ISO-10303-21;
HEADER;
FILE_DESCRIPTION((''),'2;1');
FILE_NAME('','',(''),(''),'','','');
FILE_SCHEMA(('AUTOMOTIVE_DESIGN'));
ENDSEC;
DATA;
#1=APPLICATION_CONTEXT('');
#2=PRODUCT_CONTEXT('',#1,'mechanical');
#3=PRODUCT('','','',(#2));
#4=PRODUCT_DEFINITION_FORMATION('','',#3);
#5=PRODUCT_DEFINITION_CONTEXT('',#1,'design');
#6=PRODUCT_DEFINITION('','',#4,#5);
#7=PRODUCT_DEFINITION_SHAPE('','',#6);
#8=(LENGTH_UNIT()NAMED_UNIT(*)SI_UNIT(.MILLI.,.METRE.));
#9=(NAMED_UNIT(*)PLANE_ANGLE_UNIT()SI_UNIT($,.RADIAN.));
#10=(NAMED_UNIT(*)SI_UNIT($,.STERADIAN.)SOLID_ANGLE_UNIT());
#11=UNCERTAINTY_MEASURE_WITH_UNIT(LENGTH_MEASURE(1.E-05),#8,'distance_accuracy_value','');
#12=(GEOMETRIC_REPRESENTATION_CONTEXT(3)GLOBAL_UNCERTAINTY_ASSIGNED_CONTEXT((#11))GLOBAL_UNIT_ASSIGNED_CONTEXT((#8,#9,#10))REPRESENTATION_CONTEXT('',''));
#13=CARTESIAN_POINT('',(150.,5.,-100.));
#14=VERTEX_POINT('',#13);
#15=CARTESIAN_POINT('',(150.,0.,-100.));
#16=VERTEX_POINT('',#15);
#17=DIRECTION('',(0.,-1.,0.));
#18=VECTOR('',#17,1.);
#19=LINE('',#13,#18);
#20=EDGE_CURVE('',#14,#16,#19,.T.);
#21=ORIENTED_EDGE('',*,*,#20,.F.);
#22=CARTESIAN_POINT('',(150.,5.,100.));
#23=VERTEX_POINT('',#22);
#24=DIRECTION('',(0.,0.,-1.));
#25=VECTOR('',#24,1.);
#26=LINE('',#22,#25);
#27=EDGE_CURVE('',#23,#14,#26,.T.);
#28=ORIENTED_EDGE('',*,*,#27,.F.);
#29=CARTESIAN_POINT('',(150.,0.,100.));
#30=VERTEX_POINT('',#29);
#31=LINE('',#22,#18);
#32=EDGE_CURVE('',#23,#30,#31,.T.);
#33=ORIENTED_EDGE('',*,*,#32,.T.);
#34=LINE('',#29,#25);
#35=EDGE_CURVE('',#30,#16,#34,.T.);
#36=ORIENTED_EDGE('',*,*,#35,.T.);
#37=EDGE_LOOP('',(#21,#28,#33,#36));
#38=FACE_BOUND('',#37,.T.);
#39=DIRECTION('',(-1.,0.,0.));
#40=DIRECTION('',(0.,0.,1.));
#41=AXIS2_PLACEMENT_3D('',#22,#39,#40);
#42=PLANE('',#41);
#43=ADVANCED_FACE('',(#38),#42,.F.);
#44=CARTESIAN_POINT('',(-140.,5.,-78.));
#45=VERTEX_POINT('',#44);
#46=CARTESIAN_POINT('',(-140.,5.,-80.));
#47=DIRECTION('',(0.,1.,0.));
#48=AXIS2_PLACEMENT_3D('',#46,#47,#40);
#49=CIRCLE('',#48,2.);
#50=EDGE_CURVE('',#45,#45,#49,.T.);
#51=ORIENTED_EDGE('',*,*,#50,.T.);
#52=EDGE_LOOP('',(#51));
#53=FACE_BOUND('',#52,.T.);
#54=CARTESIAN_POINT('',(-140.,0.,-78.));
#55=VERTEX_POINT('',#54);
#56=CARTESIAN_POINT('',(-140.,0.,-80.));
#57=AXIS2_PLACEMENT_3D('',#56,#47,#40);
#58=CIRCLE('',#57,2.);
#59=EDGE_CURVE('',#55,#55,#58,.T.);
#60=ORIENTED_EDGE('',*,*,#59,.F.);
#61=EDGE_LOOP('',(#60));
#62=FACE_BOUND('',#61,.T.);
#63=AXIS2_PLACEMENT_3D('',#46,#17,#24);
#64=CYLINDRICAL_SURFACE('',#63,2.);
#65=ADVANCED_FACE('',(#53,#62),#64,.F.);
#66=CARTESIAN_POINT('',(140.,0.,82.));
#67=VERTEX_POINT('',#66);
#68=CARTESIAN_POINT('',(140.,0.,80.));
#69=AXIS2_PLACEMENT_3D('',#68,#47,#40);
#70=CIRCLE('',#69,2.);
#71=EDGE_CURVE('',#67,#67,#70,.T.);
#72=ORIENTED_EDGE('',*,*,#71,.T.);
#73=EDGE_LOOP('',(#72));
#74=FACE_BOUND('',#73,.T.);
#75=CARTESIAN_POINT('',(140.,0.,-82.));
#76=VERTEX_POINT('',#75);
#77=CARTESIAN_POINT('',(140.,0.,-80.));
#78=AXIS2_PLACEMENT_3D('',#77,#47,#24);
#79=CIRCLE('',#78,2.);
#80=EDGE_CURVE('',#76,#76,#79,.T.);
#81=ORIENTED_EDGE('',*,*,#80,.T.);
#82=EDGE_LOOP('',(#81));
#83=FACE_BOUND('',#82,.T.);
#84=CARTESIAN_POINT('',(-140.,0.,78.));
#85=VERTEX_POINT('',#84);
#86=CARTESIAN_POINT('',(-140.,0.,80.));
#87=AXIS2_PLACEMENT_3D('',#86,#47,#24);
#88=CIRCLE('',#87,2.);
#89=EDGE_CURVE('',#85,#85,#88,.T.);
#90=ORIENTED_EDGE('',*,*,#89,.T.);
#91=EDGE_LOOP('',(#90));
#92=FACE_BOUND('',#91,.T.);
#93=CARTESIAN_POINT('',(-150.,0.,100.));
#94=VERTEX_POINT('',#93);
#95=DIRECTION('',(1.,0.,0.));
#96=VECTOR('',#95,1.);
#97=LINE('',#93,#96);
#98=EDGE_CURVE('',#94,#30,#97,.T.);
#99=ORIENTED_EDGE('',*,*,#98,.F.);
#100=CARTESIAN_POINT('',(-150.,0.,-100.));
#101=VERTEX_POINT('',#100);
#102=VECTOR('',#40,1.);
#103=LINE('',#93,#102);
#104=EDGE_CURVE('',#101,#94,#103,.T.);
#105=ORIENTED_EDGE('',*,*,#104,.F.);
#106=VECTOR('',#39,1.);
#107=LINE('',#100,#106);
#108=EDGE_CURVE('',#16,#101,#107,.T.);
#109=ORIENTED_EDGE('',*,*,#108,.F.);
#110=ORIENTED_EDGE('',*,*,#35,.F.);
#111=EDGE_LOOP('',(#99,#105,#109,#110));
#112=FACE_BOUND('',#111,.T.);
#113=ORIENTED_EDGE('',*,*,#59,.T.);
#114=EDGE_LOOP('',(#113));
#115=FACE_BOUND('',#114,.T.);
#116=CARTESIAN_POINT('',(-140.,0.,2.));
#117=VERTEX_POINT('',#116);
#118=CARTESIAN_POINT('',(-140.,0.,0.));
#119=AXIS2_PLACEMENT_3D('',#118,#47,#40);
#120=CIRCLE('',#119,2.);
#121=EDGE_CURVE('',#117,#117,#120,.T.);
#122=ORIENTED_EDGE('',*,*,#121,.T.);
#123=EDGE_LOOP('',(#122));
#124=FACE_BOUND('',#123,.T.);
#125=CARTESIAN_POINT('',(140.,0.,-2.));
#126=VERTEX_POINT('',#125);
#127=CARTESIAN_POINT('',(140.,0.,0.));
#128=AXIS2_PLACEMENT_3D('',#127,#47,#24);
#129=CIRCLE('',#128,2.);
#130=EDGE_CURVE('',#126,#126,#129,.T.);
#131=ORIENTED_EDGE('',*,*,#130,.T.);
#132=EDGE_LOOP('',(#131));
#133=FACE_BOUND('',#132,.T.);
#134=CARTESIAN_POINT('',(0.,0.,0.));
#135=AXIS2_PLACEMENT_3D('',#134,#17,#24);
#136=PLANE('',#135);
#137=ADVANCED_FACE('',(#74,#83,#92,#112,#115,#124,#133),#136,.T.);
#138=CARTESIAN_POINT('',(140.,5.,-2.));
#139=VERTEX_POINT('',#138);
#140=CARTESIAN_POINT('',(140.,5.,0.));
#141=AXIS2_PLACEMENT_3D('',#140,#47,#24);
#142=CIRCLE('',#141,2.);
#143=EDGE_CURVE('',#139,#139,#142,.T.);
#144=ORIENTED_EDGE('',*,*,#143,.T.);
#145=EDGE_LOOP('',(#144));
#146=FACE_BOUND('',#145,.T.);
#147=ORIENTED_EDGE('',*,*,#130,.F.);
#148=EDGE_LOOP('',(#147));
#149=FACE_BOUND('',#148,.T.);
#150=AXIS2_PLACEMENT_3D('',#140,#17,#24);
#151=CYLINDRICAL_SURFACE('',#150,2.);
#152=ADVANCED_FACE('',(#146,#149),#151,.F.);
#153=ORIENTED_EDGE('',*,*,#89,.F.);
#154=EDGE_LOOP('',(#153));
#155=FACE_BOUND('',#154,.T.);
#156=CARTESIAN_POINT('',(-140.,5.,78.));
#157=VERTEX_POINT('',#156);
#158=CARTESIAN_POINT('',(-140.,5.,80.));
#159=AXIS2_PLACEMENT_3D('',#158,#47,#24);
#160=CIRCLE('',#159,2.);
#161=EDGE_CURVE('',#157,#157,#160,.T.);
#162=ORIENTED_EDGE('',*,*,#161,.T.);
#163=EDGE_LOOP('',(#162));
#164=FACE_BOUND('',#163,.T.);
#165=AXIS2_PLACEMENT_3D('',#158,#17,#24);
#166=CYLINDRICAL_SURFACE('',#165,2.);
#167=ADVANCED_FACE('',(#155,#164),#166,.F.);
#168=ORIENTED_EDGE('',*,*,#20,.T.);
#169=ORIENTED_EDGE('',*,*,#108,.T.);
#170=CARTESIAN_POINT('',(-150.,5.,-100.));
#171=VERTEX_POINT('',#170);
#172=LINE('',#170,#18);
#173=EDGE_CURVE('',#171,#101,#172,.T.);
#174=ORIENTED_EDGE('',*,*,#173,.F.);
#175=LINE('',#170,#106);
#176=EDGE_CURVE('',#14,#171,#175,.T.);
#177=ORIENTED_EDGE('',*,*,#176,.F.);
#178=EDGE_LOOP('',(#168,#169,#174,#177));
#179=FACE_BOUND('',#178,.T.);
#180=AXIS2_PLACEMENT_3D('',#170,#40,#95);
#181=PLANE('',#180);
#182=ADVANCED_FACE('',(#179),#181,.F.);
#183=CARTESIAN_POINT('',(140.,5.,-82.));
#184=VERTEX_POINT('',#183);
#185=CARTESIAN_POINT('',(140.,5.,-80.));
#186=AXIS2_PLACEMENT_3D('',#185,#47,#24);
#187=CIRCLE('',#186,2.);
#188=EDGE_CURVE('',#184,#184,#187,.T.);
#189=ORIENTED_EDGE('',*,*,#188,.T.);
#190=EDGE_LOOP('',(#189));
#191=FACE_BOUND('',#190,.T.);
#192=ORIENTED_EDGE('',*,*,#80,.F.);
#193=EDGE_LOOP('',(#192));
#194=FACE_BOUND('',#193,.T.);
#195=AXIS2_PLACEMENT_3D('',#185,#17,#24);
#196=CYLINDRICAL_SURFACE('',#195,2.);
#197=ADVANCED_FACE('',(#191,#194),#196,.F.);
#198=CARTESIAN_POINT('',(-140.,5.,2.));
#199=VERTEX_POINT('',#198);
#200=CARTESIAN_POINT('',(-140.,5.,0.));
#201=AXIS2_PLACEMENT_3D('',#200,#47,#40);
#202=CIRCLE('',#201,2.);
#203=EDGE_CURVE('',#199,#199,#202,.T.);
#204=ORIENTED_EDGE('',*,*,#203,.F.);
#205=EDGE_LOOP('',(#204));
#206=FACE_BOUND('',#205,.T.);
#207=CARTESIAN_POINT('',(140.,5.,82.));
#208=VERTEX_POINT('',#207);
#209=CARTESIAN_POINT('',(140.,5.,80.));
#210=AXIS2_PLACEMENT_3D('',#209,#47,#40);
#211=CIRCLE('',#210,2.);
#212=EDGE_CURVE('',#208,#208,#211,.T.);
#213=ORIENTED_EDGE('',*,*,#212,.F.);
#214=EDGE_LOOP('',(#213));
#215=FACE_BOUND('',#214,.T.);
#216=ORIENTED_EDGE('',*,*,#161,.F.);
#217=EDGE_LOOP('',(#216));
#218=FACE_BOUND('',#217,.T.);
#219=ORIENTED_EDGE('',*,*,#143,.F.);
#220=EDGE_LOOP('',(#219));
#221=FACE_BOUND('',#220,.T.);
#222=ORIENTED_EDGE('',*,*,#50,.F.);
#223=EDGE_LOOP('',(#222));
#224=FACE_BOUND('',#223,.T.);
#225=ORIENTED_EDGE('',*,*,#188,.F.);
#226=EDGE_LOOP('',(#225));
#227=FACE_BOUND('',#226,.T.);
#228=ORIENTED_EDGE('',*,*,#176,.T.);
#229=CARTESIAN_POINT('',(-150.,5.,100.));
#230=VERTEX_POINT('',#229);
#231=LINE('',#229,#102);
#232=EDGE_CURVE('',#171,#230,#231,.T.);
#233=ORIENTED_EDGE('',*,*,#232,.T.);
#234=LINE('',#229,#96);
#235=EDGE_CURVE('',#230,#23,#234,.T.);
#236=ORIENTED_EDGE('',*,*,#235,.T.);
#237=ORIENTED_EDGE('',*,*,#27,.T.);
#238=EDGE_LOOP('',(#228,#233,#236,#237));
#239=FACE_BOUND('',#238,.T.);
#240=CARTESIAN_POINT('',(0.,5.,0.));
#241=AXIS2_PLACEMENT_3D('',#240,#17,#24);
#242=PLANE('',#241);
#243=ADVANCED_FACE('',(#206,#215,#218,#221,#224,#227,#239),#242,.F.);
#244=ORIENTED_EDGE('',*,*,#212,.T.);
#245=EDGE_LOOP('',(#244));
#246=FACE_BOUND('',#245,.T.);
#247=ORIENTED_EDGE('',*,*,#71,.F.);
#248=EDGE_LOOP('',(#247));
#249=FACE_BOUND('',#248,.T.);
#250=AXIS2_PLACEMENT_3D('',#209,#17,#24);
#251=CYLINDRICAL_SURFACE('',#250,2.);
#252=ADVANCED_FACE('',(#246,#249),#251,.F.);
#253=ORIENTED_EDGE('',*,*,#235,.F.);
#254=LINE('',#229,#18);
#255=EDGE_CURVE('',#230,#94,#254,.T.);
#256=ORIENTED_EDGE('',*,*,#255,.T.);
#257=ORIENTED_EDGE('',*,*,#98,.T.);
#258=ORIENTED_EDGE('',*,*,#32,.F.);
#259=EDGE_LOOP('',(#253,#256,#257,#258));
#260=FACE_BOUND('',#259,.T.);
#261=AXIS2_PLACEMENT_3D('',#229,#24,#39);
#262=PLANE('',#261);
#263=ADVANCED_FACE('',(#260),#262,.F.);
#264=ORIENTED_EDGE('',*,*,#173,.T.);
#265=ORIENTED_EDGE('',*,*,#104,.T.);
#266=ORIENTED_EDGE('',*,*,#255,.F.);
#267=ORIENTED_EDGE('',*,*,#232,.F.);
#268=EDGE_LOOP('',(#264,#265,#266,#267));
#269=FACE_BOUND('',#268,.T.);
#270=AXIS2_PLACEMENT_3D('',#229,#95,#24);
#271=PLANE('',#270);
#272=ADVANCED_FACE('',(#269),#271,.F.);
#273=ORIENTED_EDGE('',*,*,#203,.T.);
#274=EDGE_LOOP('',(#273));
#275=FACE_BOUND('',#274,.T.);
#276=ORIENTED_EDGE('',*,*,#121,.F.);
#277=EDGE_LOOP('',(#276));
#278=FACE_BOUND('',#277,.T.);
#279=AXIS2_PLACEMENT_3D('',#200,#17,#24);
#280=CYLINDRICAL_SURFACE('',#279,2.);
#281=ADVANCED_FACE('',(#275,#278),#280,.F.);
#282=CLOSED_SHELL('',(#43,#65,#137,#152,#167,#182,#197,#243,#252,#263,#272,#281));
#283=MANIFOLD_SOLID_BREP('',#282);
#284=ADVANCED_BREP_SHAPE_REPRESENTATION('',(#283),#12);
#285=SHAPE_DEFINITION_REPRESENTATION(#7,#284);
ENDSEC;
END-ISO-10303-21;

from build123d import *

# Parameters (mm, degrees)
SKETCH1_W           = 300
SKETCH1_H           = 200
SKETCH1_R           = 2
BOSS_EXTRUDE1_DEPTH = 5


with BuildPart() as part:
    # Sketch1 → Boss-Extrude1 (new body)
    with BuildSketch(Plane(origin=(0, 0, 0), x_dir=(1, 0, 0), z_dir=(0, 1, 0))):
        Rectangle(SKETCH1_W, SKETCH1_H)
        with Locations((-140, 80)):
            Circle(SKETCH1_R, mode=Mode.SUBTRACT)
        with Locations((-140, -80)):
            Circle(SKETCH1_R, mode=Mode.SUBTRACT)
        with Locations((-140, 0)):
            Circle(SKETCH1_R, mode=Mode.SUBTRACT)
        with Locations((140, -80)):
            Circle(SKETCH1_R, mode=Mode.SUBTRACT)
        with Locations((140, 0)):
            Circle(SKETCH1_R, mode=Mode.SUBTRACT)
        with Locations((140, 80)):
            Circle(SKETCH1_R, mode=Mode.SUBTRACT)
    extrude(amount=BOSS_EXTRUDE1_DEPTH)


solid = part.part
